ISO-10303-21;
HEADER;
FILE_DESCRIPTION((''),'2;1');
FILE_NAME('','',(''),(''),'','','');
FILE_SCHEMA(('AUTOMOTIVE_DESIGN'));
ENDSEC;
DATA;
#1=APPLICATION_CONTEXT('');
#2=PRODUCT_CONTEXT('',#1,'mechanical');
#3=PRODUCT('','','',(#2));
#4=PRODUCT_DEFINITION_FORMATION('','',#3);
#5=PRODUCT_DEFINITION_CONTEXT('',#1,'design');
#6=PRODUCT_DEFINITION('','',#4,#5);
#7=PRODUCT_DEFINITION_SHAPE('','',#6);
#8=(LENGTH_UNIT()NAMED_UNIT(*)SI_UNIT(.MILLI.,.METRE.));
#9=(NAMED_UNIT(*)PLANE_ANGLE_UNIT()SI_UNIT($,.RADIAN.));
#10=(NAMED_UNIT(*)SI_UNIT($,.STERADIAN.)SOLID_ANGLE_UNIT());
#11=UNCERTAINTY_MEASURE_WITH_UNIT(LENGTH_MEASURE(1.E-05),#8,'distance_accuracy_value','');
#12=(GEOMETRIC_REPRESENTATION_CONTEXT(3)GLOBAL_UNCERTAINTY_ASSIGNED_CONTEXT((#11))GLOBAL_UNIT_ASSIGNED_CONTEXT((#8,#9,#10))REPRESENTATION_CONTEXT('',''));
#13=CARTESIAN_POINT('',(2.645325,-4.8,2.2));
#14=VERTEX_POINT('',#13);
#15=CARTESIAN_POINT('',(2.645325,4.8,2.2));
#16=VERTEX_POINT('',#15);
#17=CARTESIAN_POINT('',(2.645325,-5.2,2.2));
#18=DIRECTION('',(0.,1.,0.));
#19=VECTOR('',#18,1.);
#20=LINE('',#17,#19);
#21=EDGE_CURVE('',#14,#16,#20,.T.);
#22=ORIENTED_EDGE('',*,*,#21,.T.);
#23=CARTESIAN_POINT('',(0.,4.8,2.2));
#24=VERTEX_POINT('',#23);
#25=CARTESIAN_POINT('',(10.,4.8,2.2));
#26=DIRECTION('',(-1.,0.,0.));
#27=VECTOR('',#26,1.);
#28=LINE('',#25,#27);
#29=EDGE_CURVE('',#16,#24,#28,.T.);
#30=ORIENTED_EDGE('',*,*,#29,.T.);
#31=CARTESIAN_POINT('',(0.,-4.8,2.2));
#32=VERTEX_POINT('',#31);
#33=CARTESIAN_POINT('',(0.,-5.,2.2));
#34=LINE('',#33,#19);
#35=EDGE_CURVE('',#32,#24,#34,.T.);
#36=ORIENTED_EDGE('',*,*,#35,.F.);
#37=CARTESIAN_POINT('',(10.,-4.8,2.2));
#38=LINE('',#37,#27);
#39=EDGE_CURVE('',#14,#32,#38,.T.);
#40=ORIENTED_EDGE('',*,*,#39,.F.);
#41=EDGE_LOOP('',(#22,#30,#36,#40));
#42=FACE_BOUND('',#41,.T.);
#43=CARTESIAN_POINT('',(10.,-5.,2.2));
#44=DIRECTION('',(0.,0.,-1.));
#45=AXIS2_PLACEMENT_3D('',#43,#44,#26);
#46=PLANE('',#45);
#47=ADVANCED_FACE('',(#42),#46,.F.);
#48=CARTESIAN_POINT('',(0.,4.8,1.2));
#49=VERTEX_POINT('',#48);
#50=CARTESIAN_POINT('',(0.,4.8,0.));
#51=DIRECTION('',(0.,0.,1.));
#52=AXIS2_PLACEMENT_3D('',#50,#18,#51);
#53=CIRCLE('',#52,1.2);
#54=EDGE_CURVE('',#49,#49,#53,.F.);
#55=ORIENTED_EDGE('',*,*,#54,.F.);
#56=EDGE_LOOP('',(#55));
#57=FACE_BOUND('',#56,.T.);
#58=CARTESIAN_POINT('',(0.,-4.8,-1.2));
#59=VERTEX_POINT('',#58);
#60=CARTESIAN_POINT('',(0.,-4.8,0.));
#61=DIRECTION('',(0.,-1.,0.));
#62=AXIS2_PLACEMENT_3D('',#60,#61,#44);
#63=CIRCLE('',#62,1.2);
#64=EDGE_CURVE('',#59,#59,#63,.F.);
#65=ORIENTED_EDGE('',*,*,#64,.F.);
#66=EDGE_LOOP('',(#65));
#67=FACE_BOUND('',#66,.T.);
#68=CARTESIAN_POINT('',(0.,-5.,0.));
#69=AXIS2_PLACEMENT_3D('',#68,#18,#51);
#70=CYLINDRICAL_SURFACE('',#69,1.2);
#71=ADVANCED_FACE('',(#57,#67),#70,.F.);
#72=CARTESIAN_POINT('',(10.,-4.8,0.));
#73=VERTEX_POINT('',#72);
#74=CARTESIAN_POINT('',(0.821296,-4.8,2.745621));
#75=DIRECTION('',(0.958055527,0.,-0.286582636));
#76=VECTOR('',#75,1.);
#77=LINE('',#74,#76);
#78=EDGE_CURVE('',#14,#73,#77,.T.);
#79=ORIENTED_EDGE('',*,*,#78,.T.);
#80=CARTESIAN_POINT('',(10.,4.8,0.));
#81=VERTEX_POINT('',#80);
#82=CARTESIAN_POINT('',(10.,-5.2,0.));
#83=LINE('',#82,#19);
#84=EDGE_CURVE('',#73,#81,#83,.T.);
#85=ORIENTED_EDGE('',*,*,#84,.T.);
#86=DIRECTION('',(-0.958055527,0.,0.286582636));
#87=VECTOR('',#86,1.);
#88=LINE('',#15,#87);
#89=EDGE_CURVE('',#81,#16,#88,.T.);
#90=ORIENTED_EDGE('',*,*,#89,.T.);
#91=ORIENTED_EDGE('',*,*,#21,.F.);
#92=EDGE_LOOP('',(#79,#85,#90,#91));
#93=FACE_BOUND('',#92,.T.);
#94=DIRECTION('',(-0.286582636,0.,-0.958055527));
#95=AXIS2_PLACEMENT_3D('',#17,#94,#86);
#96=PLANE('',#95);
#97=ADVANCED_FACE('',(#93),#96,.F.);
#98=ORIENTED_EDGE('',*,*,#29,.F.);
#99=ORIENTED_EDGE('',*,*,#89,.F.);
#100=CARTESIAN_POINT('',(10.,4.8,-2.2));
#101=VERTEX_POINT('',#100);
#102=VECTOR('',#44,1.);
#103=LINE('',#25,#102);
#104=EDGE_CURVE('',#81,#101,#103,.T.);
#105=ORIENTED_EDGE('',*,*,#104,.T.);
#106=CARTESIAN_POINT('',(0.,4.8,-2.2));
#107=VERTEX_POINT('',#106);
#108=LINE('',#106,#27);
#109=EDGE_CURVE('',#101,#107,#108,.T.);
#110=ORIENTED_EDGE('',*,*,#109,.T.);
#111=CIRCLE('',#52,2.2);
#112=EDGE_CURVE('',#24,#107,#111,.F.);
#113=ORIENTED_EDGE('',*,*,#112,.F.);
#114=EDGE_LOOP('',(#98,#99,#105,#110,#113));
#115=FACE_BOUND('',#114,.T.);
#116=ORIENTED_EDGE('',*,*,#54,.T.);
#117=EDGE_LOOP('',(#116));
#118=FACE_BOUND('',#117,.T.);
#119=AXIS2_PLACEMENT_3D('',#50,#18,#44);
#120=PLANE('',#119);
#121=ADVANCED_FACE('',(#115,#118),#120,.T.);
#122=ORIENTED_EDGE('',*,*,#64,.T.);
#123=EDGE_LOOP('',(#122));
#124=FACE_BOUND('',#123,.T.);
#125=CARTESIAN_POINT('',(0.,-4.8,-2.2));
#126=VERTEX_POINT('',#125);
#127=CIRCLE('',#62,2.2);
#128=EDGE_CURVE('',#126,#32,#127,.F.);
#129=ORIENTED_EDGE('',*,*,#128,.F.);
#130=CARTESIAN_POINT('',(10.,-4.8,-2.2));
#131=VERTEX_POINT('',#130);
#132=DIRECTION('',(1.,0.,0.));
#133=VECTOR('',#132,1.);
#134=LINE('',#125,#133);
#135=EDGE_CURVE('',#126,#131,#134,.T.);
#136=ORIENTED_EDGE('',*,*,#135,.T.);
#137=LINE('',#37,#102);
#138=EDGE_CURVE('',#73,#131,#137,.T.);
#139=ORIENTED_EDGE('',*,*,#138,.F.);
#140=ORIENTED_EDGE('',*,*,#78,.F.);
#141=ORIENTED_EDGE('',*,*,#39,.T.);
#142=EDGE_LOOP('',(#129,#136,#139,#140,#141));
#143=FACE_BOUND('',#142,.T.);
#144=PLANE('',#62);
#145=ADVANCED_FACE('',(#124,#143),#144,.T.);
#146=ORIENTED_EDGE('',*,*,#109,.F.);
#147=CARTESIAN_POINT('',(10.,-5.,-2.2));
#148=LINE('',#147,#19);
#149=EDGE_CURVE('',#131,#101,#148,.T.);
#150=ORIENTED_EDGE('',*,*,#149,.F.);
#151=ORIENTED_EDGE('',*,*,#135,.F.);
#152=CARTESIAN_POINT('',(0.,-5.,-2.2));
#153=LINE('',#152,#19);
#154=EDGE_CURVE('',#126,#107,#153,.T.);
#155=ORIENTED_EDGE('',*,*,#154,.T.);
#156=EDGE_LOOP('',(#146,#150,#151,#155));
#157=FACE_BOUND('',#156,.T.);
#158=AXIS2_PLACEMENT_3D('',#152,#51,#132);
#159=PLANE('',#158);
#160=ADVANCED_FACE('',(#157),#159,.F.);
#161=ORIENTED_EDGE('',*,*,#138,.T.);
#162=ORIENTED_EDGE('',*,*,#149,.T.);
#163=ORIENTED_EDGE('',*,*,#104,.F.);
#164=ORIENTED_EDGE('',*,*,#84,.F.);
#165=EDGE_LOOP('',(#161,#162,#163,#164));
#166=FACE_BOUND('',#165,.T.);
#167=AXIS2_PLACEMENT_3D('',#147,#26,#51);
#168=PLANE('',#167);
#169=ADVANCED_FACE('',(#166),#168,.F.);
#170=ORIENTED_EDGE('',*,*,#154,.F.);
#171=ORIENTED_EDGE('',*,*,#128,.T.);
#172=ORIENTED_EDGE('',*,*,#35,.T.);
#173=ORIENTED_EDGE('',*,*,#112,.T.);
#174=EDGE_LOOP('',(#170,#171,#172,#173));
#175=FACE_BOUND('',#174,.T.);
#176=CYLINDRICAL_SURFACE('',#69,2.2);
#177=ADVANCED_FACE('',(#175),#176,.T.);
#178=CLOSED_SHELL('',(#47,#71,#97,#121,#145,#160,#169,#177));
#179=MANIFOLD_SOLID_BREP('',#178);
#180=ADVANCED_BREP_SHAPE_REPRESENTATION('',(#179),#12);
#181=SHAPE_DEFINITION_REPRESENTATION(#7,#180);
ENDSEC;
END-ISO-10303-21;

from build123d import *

# Parameters (mm, degrees)
BOSS_EXTRUDE1_DEPTH      = 5
BOSS_EXTRUDE1_DEPTH_BACK = 5
SKETCH3_R                = 1.2
CUT_EXTRUDE1_DEPTH       = 10
SKETCH4_W                = 13.374580466
SKETCH4_H                = 4.798064452
CUT_EXTRUDE2_DEPTH       = 0.2
CUT_EXTRUDE3_DEPTH       = 10


with BuildPart() as part:
    # Sketch2 → Boss-Extrude1 (new, two sides: drawn at the far end of the back side and taken through both)
    with BuildSketch(Plane(origin=(0, 0, 0), x_dir=(1, 0, 0), z_dir=(0, 1, 0)).offset(-BOSS_EXTRUDE1_DEPTH_BACK)):
        with BuildLine():
            Line((0, 2.2), (10, 2.2))
            Line((10, 2.2), (10, -2.2))
            Line((10, -2.2), (0, -2.2))
            ThreePointArc((0, -2.2), (-2.2, 0), (0, 2.2))
        make_face()
    extrude(amount=BOSS_EXTRUDE1_DEPTH + BOSS_EXTRUDE1_DEPTH_BACK)

    # Sketch3 → Cut-Extrude1 (cut)
    with BuildSketch(Plane(origin=(0, 5, 0), x_dir=(1, 0, 0), z_dir=(0, 1, 0))):
        Circle(SKETCH3_R)
    extrude(amount=-CUT_EXTRUDE1_DEPTH, mode=Mode.SUBTRACT)

    # Sketch4 → Cut-Extrude2 (cut)
    with BuildSketch(Plane.XZ.offset(5)):
        with Locations((3.312709767, -0.199032226)):
            Rectangle(SKETCH4_W, SKETCH4_H)
    cut_extrude2 = extrude(amount=-CUT_EXTRUDE2_DEPTH, mode=Mode.SUBTRACT)

    # Mirror1: Cut-Extrude2 across plane
    add(cut_extrude2.mirror(Plane.ZX), mode=Mode.SUBTRACT)

    # Sketch5 → Cut-Extrude3 (cut)
    with BuildSketch(Plane(origin=(0, 4.8, 0), x_dir=(1, 0, 0), z_dir=(0, 1, 0))):
        Polygon((2.645324972, -2.2), (10, 0), (10, -2.2), align=None)
    extrude(amount=-CUT_EXTRUDE3_DEPTH, mode=Mode.SUBTRACT)


solid = part.part
